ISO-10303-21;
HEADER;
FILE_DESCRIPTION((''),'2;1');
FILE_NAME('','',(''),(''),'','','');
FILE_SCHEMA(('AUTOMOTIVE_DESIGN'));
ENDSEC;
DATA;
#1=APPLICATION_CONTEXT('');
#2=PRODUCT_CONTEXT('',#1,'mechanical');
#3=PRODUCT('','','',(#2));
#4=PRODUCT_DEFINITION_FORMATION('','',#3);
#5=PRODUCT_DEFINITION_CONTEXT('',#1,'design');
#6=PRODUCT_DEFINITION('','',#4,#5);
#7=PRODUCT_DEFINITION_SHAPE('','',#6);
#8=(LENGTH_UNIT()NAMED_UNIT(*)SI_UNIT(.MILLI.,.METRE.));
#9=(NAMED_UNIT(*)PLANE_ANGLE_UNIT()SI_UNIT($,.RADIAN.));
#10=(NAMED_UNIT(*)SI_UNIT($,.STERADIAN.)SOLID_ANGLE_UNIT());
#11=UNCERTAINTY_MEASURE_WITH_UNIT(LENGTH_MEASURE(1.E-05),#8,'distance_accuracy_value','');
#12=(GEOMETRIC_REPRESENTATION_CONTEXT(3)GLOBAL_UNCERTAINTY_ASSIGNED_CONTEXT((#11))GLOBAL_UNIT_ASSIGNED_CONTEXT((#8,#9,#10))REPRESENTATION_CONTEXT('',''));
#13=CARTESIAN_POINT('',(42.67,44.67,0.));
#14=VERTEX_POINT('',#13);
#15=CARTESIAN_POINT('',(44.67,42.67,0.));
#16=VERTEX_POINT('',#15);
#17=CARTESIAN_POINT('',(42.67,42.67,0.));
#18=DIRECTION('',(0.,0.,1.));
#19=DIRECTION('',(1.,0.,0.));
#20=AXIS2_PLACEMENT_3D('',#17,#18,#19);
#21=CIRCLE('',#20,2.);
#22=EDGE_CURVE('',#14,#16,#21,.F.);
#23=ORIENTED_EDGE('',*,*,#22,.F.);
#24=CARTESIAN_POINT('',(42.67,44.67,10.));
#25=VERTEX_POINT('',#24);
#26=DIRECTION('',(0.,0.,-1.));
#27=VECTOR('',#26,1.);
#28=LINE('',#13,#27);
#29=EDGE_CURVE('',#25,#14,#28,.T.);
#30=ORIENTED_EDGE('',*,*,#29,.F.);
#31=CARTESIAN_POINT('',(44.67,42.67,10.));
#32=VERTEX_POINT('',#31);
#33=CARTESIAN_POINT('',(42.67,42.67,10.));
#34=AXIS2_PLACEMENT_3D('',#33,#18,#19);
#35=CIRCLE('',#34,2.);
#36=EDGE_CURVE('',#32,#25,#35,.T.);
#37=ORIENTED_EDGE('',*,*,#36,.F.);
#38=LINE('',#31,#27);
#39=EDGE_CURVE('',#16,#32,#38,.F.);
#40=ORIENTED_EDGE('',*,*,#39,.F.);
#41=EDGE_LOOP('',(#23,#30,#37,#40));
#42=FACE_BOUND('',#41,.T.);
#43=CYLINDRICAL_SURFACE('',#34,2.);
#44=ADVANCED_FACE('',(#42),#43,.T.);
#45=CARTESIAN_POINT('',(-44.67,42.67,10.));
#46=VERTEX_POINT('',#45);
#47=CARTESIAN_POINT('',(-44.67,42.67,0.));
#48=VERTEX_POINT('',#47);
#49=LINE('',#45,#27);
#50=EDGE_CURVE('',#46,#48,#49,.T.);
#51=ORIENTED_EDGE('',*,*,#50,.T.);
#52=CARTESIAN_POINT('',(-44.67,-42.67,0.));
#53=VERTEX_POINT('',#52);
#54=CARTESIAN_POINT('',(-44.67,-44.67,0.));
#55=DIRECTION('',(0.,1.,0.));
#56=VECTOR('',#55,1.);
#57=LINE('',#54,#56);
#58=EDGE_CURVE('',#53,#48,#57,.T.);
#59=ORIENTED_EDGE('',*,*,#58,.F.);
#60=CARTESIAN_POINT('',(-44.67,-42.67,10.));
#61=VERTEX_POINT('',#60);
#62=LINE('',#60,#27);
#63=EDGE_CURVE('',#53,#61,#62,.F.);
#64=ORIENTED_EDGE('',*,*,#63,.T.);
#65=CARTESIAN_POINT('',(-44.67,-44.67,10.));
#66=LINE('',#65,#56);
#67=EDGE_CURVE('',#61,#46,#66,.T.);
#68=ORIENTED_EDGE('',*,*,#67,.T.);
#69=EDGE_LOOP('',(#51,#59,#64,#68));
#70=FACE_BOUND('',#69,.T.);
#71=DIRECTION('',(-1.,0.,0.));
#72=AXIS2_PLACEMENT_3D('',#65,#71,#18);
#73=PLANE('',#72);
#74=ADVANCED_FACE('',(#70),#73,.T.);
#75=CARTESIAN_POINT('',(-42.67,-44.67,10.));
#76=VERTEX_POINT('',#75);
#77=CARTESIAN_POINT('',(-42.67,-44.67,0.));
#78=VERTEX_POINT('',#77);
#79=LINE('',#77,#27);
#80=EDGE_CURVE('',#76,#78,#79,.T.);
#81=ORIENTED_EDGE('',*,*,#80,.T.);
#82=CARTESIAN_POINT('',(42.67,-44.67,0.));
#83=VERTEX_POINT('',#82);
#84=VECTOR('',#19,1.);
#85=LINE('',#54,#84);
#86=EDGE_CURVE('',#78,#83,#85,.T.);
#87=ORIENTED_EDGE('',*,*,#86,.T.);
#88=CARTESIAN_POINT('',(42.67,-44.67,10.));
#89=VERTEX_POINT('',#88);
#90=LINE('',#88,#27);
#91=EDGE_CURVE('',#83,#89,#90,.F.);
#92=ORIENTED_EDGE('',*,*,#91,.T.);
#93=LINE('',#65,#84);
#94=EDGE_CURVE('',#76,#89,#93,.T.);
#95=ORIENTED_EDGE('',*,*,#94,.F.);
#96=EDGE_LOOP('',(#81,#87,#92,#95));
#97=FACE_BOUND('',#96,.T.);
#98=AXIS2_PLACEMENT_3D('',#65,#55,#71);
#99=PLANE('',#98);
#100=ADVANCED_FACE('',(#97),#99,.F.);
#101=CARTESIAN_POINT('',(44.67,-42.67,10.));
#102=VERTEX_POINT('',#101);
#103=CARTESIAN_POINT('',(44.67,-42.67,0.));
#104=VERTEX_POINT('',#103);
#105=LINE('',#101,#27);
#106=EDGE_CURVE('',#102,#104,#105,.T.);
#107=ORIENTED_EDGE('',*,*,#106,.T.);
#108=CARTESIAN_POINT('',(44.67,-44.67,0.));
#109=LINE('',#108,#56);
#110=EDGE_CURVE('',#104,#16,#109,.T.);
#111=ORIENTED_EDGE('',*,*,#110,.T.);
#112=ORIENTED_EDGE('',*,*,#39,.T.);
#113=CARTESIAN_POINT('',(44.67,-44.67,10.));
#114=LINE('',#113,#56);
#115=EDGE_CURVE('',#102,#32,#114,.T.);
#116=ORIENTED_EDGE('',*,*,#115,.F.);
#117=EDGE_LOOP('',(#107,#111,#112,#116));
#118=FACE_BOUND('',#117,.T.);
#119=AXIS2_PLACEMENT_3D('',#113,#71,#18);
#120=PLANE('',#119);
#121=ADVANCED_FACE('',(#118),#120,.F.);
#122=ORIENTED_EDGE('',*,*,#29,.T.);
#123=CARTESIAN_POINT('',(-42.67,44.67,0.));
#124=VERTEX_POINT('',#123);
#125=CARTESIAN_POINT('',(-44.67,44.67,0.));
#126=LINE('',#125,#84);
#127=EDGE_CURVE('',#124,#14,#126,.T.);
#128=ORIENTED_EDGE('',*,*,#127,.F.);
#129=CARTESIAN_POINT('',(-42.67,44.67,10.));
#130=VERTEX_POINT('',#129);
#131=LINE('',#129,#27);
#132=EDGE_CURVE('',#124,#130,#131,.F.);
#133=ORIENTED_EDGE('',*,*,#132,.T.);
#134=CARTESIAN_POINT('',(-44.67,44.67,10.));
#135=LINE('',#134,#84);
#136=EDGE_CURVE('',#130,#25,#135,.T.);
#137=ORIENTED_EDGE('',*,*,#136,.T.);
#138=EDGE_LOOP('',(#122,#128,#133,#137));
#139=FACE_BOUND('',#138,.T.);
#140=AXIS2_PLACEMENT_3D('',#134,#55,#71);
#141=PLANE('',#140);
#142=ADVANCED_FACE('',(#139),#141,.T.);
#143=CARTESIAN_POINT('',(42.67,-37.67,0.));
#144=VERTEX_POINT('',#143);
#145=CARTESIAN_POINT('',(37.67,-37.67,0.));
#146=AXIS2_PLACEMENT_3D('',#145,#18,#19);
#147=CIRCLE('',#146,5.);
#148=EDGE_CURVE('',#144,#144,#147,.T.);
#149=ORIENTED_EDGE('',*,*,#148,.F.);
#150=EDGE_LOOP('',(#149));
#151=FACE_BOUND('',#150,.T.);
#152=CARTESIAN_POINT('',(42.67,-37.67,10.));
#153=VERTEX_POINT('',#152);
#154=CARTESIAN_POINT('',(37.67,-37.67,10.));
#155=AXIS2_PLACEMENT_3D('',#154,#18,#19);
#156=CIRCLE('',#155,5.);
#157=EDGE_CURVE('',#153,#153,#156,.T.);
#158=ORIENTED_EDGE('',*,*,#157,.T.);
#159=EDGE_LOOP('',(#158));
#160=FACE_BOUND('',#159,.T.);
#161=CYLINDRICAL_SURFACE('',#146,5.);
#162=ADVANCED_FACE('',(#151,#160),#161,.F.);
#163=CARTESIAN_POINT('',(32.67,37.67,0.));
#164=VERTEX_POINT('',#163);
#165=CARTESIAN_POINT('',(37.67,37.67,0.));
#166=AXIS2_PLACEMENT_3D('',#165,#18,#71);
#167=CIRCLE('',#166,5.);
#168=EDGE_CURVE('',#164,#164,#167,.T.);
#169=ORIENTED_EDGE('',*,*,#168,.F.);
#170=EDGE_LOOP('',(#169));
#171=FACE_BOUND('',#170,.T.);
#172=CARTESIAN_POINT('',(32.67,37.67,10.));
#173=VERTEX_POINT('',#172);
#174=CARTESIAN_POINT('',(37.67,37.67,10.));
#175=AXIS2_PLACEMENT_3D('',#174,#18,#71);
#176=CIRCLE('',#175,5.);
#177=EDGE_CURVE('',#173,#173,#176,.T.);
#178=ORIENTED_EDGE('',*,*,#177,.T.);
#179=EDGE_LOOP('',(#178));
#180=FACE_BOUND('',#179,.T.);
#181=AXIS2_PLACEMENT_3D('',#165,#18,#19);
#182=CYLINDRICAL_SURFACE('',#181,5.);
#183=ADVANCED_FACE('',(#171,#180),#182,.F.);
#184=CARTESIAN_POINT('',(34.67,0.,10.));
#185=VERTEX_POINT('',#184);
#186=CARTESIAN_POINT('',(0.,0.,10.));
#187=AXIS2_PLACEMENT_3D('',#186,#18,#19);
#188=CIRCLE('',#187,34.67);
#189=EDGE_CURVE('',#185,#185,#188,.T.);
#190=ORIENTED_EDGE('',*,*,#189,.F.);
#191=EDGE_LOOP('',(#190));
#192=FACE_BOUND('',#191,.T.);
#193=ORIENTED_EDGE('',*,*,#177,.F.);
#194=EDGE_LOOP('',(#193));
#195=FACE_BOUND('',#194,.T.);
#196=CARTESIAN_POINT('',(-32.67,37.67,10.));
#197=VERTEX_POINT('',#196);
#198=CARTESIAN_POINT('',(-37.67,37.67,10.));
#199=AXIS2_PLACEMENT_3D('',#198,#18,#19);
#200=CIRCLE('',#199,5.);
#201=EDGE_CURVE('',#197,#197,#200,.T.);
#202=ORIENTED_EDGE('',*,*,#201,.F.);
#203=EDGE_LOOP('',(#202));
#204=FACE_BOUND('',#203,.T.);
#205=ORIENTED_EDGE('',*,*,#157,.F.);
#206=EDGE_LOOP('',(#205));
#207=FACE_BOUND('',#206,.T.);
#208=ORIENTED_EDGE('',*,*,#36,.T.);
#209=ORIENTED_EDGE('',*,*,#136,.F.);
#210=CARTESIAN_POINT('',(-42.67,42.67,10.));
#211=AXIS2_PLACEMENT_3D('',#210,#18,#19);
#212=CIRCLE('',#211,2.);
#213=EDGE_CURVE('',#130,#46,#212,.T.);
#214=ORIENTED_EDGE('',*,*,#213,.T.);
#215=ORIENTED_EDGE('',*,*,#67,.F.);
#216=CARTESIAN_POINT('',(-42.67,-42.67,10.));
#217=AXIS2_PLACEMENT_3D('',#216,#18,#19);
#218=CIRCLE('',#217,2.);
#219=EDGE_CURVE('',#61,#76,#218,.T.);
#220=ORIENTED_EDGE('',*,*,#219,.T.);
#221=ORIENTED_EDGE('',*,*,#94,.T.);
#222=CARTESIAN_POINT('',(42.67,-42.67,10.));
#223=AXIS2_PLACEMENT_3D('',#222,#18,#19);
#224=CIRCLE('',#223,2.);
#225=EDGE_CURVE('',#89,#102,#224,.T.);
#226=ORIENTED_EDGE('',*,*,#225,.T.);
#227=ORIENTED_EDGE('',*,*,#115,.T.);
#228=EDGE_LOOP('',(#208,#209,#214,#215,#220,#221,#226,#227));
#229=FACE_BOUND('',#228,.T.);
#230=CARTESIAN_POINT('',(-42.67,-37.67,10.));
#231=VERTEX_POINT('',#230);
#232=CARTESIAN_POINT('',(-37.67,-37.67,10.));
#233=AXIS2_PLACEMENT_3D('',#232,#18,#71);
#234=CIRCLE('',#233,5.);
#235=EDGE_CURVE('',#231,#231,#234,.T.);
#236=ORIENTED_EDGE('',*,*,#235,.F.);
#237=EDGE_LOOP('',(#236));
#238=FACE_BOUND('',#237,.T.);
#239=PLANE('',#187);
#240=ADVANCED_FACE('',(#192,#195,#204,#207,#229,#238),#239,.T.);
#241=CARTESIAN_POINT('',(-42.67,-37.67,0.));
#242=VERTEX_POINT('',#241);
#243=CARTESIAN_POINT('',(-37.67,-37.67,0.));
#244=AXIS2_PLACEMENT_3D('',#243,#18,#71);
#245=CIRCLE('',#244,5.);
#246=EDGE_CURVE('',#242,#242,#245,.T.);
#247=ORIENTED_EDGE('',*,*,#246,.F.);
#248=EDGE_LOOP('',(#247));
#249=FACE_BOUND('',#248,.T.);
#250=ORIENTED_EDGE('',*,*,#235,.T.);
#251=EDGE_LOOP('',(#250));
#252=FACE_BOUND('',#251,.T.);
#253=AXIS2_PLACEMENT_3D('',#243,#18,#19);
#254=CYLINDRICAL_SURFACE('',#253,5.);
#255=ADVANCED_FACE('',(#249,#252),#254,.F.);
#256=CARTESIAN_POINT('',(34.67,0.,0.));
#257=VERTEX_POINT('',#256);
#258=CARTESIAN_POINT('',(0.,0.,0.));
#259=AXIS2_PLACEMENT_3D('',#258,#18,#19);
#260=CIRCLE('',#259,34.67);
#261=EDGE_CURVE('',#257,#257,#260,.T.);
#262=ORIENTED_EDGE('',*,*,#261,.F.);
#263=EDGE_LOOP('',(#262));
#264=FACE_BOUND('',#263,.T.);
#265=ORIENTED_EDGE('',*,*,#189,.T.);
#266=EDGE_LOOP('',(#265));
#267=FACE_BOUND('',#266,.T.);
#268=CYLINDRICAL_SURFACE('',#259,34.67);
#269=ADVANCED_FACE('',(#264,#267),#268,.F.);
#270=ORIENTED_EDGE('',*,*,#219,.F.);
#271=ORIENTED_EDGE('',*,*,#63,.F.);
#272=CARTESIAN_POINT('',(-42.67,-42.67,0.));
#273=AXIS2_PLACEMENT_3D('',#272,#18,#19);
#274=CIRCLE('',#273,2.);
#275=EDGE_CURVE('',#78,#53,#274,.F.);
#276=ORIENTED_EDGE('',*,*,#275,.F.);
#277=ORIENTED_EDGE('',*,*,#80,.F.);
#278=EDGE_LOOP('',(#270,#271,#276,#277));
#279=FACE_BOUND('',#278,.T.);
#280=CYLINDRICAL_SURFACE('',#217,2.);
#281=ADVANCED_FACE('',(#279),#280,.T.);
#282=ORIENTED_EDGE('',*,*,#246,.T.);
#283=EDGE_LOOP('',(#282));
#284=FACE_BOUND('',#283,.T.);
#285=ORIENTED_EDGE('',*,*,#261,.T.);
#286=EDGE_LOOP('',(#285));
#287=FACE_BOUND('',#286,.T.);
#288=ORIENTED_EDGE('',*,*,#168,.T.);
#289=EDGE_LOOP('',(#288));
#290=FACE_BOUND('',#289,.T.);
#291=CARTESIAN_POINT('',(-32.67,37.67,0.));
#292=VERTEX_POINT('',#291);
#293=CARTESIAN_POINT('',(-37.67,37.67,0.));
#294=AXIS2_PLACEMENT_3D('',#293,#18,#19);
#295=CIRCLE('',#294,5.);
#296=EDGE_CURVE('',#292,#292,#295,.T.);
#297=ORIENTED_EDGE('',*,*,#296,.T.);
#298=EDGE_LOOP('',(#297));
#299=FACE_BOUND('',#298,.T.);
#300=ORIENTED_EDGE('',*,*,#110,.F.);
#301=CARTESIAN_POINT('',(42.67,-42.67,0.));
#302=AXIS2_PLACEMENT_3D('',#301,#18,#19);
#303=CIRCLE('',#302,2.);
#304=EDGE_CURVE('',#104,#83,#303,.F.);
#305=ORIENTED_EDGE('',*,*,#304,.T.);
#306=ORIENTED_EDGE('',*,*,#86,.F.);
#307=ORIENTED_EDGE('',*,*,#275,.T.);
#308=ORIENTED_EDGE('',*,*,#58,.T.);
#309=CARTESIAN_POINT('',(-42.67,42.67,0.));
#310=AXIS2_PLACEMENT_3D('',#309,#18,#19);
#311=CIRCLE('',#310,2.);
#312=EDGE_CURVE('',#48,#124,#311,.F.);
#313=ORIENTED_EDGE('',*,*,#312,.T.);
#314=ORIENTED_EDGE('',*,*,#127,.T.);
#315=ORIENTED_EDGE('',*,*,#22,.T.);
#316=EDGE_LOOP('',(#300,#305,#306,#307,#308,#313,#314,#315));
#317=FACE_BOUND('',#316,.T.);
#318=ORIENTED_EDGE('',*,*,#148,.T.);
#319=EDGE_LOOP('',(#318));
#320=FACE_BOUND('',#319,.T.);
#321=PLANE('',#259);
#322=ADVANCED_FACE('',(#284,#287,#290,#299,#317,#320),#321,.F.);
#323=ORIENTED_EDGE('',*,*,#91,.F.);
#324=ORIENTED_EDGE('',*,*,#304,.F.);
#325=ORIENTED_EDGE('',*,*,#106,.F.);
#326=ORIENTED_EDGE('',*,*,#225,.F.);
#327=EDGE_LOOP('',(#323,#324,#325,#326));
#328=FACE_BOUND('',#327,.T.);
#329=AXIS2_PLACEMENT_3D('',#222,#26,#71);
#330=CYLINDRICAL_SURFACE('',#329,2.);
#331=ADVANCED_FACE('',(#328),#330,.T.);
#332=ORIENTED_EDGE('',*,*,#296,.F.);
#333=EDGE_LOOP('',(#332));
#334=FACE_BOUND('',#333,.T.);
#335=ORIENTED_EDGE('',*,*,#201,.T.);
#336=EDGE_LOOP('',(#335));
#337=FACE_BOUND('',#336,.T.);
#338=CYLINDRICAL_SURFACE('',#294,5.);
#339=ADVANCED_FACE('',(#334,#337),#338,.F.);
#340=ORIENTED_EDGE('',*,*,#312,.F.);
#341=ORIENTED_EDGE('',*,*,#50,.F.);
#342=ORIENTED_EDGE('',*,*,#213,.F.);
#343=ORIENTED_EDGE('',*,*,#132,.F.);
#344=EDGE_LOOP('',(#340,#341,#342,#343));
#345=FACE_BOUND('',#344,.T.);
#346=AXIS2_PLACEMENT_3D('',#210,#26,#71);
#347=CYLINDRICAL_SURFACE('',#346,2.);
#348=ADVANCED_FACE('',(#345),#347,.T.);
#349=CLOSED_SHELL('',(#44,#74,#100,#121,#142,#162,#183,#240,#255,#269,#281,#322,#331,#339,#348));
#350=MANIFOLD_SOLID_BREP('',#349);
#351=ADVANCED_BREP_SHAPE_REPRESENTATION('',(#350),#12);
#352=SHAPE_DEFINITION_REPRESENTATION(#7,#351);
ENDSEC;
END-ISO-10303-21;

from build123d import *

# Parameters (mm, degrees)
CROQUIS1_W              = 89.34
CROQUIS1_H              = 89.34
SALIENTE_EXTRUIR2_DEPTH = 10
CROQUIS3_R              = 34.67
CORTAR_EXTRUIR2_DEPTH   = 10
CROQUIS4_R              = 5
CORTAR_EXTRUIR3_DEPTH   = 10
REDONDEO2_R             = 2


with BuildPart() as part:
    # Croquis1 → Saliente-Extruir2 (new body)
    with BuildSketch(Plane.XY):
        Rectangle(CROQUIS1_W, CROQUIS1_H)
    extrude(amount=SALIENTE_EXTRUIR2_DEPTH)

    # Croquis3 → Cortar-Extruir2 (cut)
    with BuildSketch(Plane.XY.offset(10)):
        Circle(CROQUIS3_R)
    extrude(amount=-CORTAR_EXTRUIR2_DEPTH, mode=Mode.SUBTRACT)

    # Croquis4 → Cortar-Extruir3 (cut)
    with BuildSketch(Plane.XY.offset(10)):
        with Locations((37.67, -37.67)):
            Circle(CROQUIS4_R)
        with Locations(Location((-37.67, -37.67, 0), (0, 0, 180))):
            Circle(CROQUIS4_R)
        with Locations((-37.67, 37.67)):
            Circle(CROQUIS4_R)
        with Locations(Location((37.67, 37.67, 0), (0, 0, 180))):
            Circle(CROQUIS4_R)
    extrude(amount=-CORTAR_EXTRUIR3_DEPTH, mode=Mode.SUBTRACT)

    # Redondeo2
    redondeo2_edges = [part.edges().sort_by_distance(p)[0] for p in [
        (-44.67, -44.67, 5),
        (-44.67, 44.67, 5),
        (44.67, 44.67, 5),
        (44.67, -44.67, 5),
    ]]
    fillet(redondeo2_edges, radius=REDONDEO2_R)


solid = part.part
